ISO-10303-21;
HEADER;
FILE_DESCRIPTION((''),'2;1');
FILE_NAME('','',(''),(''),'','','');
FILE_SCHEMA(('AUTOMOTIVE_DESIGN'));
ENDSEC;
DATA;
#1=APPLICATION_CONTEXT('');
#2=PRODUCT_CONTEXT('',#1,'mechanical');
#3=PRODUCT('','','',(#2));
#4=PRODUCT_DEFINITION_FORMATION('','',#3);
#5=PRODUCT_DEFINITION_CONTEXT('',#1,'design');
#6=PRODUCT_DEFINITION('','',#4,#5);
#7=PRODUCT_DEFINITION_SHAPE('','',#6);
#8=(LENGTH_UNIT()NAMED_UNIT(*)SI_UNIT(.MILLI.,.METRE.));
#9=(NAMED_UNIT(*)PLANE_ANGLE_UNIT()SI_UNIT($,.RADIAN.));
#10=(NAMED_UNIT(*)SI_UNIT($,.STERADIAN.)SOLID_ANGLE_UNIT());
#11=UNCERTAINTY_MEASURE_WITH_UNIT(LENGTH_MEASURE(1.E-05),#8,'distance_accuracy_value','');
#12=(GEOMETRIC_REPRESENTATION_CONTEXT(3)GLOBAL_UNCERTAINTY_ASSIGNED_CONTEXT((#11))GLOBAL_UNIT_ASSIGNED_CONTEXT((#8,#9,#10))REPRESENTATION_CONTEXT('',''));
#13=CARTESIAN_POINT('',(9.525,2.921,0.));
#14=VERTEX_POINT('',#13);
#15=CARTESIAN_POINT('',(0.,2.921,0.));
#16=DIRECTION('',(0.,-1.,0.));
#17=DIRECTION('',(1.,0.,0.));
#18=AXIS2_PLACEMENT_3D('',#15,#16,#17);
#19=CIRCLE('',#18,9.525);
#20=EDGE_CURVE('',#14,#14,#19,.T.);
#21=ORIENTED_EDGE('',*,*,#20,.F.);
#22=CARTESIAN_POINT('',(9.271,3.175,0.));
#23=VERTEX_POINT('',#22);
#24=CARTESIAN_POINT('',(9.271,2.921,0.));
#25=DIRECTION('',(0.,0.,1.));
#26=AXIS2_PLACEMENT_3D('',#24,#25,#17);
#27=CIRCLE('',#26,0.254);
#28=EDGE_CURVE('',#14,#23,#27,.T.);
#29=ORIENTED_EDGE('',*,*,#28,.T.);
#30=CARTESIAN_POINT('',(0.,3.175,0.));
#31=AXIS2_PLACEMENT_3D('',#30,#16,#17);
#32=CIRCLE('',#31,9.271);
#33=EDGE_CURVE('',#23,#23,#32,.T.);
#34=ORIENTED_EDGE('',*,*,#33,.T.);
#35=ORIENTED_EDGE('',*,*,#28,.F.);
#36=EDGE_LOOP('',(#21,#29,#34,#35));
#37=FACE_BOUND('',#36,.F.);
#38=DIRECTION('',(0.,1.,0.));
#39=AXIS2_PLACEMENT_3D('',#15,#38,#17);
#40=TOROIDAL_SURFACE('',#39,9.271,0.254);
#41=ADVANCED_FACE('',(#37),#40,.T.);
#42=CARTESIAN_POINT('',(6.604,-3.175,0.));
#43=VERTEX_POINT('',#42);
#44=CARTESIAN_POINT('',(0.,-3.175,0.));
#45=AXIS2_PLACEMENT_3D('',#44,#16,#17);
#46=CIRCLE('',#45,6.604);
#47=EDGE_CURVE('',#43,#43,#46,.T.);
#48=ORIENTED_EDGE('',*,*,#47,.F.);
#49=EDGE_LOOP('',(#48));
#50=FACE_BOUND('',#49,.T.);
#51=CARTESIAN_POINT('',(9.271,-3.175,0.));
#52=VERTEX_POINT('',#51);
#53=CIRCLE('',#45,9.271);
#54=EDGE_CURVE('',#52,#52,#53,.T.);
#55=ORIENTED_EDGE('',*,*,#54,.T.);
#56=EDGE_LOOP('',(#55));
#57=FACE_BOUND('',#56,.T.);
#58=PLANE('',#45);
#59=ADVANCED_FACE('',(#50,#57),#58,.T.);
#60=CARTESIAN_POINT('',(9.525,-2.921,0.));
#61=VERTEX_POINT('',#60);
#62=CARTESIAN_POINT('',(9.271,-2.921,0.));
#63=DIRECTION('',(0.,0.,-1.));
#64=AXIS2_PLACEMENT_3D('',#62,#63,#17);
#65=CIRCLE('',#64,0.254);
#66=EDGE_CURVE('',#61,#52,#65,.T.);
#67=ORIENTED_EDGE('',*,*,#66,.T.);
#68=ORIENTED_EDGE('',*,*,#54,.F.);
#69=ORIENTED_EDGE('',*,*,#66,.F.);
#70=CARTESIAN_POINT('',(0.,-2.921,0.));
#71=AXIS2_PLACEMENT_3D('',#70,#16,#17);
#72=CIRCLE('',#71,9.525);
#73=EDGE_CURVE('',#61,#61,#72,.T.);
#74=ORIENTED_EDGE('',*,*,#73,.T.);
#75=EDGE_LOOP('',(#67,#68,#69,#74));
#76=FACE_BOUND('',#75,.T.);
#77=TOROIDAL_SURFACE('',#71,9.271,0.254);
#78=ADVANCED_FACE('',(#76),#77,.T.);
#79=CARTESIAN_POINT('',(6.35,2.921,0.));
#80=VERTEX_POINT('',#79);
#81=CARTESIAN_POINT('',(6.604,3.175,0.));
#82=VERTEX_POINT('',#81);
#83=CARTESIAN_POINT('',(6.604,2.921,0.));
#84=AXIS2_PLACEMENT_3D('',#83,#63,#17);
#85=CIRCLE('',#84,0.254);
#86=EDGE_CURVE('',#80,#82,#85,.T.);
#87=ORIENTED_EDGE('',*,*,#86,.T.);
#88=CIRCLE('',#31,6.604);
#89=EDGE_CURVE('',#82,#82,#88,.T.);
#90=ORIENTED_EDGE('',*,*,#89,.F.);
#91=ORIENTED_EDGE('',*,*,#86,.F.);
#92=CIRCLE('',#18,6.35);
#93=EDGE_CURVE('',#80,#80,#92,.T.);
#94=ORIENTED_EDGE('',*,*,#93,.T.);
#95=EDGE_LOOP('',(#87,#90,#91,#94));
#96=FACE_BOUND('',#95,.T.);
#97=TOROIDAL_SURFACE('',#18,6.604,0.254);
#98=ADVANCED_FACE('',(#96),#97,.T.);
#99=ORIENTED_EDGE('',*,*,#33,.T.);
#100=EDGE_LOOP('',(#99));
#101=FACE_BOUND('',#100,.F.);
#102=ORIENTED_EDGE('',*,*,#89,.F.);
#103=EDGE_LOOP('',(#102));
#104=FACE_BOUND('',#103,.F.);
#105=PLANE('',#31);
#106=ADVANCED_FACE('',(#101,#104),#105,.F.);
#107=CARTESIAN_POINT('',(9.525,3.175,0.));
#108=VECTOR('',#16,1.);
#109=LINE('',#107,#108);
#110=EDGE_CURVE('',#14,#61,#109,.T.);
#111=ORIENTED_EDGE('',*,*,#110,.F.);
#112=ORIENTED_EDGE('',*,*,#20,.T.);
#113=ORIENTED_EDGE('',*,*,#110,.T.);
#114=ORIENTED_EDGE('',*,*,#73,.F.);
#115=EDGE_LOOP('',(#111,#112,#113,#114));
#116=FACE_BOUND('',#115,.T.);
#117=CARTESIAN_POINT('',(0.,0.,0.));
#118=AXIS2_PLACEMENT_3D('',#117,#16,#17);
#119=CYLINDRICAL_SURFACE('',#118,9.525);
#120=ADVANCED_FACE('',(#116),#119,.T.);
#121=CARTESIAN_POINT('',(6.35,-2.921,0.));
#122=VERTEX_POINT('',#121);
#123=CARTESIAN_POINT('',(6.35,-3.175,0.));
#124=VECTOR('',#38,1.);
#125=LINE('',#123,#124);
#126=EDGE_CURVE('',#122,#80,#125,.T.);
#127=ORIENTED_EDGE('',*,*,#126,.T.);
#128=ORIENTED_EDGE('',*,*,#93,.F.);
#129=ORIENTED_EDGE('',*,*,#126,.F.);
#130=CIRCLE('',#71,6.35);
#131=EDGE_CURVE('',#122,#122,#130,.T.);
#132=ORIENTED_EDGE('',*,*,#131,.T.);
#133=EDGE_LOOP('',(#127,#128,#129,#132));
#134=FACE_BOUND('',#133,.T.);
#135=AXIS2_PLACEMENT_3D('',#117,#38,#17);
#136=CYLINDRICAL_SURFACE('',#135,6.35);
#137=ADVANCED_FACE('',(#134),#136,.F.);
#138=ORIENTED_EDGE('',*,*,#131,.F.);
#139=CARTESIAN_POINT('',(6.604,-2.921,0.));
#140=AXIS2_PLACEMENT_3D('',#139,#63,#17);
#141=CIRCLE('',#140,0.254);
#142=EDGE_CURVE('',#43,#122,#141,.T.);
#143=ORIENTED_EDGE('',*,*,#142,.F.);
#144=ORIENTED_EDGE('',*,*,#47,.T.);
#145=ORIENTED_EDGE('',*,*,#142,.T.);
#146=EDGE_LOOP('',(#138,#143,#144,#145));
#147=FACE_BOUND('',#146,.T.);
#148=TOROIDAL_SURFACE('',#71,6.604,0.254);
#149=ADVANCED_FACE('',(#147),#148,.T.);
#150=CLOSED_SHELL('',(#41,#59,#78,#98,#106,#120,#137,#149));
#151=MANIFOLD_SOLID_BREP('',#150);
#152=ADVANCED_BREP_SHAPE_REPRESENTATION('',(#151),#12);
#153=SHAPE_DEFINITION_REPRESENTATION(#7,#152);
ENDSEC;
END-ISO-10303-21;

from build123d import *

# Parameters (mm, degrees)
F0_R     = 9.525
F0_R_2   = 6.35
F1_DEPTH = 3.175
F2_R     = 0.254


with BuildPart() as f1:
    # F0 (on Front) → F1 (new body, symmetric)
    with BuildSketch(Plane.XZ):
        Circle(F0_R)
        Circle(F0_R_2, mode=Mode.SUBTRACT)
    extrude(amount=F1_DEPTH, both=True)

    # F2
    f2_edges = [f1.edges().sort_by_distance(p)[0] for p in [
        (-9.525, 3.175, 0),
        (-9.525, -3.175, 0),
        (-6.35, 3.175, 0),
        (-6.35, -3.175, 0),
    ]]
    fillet(f2_edges, radius=F2_R)


solid = f1.part
